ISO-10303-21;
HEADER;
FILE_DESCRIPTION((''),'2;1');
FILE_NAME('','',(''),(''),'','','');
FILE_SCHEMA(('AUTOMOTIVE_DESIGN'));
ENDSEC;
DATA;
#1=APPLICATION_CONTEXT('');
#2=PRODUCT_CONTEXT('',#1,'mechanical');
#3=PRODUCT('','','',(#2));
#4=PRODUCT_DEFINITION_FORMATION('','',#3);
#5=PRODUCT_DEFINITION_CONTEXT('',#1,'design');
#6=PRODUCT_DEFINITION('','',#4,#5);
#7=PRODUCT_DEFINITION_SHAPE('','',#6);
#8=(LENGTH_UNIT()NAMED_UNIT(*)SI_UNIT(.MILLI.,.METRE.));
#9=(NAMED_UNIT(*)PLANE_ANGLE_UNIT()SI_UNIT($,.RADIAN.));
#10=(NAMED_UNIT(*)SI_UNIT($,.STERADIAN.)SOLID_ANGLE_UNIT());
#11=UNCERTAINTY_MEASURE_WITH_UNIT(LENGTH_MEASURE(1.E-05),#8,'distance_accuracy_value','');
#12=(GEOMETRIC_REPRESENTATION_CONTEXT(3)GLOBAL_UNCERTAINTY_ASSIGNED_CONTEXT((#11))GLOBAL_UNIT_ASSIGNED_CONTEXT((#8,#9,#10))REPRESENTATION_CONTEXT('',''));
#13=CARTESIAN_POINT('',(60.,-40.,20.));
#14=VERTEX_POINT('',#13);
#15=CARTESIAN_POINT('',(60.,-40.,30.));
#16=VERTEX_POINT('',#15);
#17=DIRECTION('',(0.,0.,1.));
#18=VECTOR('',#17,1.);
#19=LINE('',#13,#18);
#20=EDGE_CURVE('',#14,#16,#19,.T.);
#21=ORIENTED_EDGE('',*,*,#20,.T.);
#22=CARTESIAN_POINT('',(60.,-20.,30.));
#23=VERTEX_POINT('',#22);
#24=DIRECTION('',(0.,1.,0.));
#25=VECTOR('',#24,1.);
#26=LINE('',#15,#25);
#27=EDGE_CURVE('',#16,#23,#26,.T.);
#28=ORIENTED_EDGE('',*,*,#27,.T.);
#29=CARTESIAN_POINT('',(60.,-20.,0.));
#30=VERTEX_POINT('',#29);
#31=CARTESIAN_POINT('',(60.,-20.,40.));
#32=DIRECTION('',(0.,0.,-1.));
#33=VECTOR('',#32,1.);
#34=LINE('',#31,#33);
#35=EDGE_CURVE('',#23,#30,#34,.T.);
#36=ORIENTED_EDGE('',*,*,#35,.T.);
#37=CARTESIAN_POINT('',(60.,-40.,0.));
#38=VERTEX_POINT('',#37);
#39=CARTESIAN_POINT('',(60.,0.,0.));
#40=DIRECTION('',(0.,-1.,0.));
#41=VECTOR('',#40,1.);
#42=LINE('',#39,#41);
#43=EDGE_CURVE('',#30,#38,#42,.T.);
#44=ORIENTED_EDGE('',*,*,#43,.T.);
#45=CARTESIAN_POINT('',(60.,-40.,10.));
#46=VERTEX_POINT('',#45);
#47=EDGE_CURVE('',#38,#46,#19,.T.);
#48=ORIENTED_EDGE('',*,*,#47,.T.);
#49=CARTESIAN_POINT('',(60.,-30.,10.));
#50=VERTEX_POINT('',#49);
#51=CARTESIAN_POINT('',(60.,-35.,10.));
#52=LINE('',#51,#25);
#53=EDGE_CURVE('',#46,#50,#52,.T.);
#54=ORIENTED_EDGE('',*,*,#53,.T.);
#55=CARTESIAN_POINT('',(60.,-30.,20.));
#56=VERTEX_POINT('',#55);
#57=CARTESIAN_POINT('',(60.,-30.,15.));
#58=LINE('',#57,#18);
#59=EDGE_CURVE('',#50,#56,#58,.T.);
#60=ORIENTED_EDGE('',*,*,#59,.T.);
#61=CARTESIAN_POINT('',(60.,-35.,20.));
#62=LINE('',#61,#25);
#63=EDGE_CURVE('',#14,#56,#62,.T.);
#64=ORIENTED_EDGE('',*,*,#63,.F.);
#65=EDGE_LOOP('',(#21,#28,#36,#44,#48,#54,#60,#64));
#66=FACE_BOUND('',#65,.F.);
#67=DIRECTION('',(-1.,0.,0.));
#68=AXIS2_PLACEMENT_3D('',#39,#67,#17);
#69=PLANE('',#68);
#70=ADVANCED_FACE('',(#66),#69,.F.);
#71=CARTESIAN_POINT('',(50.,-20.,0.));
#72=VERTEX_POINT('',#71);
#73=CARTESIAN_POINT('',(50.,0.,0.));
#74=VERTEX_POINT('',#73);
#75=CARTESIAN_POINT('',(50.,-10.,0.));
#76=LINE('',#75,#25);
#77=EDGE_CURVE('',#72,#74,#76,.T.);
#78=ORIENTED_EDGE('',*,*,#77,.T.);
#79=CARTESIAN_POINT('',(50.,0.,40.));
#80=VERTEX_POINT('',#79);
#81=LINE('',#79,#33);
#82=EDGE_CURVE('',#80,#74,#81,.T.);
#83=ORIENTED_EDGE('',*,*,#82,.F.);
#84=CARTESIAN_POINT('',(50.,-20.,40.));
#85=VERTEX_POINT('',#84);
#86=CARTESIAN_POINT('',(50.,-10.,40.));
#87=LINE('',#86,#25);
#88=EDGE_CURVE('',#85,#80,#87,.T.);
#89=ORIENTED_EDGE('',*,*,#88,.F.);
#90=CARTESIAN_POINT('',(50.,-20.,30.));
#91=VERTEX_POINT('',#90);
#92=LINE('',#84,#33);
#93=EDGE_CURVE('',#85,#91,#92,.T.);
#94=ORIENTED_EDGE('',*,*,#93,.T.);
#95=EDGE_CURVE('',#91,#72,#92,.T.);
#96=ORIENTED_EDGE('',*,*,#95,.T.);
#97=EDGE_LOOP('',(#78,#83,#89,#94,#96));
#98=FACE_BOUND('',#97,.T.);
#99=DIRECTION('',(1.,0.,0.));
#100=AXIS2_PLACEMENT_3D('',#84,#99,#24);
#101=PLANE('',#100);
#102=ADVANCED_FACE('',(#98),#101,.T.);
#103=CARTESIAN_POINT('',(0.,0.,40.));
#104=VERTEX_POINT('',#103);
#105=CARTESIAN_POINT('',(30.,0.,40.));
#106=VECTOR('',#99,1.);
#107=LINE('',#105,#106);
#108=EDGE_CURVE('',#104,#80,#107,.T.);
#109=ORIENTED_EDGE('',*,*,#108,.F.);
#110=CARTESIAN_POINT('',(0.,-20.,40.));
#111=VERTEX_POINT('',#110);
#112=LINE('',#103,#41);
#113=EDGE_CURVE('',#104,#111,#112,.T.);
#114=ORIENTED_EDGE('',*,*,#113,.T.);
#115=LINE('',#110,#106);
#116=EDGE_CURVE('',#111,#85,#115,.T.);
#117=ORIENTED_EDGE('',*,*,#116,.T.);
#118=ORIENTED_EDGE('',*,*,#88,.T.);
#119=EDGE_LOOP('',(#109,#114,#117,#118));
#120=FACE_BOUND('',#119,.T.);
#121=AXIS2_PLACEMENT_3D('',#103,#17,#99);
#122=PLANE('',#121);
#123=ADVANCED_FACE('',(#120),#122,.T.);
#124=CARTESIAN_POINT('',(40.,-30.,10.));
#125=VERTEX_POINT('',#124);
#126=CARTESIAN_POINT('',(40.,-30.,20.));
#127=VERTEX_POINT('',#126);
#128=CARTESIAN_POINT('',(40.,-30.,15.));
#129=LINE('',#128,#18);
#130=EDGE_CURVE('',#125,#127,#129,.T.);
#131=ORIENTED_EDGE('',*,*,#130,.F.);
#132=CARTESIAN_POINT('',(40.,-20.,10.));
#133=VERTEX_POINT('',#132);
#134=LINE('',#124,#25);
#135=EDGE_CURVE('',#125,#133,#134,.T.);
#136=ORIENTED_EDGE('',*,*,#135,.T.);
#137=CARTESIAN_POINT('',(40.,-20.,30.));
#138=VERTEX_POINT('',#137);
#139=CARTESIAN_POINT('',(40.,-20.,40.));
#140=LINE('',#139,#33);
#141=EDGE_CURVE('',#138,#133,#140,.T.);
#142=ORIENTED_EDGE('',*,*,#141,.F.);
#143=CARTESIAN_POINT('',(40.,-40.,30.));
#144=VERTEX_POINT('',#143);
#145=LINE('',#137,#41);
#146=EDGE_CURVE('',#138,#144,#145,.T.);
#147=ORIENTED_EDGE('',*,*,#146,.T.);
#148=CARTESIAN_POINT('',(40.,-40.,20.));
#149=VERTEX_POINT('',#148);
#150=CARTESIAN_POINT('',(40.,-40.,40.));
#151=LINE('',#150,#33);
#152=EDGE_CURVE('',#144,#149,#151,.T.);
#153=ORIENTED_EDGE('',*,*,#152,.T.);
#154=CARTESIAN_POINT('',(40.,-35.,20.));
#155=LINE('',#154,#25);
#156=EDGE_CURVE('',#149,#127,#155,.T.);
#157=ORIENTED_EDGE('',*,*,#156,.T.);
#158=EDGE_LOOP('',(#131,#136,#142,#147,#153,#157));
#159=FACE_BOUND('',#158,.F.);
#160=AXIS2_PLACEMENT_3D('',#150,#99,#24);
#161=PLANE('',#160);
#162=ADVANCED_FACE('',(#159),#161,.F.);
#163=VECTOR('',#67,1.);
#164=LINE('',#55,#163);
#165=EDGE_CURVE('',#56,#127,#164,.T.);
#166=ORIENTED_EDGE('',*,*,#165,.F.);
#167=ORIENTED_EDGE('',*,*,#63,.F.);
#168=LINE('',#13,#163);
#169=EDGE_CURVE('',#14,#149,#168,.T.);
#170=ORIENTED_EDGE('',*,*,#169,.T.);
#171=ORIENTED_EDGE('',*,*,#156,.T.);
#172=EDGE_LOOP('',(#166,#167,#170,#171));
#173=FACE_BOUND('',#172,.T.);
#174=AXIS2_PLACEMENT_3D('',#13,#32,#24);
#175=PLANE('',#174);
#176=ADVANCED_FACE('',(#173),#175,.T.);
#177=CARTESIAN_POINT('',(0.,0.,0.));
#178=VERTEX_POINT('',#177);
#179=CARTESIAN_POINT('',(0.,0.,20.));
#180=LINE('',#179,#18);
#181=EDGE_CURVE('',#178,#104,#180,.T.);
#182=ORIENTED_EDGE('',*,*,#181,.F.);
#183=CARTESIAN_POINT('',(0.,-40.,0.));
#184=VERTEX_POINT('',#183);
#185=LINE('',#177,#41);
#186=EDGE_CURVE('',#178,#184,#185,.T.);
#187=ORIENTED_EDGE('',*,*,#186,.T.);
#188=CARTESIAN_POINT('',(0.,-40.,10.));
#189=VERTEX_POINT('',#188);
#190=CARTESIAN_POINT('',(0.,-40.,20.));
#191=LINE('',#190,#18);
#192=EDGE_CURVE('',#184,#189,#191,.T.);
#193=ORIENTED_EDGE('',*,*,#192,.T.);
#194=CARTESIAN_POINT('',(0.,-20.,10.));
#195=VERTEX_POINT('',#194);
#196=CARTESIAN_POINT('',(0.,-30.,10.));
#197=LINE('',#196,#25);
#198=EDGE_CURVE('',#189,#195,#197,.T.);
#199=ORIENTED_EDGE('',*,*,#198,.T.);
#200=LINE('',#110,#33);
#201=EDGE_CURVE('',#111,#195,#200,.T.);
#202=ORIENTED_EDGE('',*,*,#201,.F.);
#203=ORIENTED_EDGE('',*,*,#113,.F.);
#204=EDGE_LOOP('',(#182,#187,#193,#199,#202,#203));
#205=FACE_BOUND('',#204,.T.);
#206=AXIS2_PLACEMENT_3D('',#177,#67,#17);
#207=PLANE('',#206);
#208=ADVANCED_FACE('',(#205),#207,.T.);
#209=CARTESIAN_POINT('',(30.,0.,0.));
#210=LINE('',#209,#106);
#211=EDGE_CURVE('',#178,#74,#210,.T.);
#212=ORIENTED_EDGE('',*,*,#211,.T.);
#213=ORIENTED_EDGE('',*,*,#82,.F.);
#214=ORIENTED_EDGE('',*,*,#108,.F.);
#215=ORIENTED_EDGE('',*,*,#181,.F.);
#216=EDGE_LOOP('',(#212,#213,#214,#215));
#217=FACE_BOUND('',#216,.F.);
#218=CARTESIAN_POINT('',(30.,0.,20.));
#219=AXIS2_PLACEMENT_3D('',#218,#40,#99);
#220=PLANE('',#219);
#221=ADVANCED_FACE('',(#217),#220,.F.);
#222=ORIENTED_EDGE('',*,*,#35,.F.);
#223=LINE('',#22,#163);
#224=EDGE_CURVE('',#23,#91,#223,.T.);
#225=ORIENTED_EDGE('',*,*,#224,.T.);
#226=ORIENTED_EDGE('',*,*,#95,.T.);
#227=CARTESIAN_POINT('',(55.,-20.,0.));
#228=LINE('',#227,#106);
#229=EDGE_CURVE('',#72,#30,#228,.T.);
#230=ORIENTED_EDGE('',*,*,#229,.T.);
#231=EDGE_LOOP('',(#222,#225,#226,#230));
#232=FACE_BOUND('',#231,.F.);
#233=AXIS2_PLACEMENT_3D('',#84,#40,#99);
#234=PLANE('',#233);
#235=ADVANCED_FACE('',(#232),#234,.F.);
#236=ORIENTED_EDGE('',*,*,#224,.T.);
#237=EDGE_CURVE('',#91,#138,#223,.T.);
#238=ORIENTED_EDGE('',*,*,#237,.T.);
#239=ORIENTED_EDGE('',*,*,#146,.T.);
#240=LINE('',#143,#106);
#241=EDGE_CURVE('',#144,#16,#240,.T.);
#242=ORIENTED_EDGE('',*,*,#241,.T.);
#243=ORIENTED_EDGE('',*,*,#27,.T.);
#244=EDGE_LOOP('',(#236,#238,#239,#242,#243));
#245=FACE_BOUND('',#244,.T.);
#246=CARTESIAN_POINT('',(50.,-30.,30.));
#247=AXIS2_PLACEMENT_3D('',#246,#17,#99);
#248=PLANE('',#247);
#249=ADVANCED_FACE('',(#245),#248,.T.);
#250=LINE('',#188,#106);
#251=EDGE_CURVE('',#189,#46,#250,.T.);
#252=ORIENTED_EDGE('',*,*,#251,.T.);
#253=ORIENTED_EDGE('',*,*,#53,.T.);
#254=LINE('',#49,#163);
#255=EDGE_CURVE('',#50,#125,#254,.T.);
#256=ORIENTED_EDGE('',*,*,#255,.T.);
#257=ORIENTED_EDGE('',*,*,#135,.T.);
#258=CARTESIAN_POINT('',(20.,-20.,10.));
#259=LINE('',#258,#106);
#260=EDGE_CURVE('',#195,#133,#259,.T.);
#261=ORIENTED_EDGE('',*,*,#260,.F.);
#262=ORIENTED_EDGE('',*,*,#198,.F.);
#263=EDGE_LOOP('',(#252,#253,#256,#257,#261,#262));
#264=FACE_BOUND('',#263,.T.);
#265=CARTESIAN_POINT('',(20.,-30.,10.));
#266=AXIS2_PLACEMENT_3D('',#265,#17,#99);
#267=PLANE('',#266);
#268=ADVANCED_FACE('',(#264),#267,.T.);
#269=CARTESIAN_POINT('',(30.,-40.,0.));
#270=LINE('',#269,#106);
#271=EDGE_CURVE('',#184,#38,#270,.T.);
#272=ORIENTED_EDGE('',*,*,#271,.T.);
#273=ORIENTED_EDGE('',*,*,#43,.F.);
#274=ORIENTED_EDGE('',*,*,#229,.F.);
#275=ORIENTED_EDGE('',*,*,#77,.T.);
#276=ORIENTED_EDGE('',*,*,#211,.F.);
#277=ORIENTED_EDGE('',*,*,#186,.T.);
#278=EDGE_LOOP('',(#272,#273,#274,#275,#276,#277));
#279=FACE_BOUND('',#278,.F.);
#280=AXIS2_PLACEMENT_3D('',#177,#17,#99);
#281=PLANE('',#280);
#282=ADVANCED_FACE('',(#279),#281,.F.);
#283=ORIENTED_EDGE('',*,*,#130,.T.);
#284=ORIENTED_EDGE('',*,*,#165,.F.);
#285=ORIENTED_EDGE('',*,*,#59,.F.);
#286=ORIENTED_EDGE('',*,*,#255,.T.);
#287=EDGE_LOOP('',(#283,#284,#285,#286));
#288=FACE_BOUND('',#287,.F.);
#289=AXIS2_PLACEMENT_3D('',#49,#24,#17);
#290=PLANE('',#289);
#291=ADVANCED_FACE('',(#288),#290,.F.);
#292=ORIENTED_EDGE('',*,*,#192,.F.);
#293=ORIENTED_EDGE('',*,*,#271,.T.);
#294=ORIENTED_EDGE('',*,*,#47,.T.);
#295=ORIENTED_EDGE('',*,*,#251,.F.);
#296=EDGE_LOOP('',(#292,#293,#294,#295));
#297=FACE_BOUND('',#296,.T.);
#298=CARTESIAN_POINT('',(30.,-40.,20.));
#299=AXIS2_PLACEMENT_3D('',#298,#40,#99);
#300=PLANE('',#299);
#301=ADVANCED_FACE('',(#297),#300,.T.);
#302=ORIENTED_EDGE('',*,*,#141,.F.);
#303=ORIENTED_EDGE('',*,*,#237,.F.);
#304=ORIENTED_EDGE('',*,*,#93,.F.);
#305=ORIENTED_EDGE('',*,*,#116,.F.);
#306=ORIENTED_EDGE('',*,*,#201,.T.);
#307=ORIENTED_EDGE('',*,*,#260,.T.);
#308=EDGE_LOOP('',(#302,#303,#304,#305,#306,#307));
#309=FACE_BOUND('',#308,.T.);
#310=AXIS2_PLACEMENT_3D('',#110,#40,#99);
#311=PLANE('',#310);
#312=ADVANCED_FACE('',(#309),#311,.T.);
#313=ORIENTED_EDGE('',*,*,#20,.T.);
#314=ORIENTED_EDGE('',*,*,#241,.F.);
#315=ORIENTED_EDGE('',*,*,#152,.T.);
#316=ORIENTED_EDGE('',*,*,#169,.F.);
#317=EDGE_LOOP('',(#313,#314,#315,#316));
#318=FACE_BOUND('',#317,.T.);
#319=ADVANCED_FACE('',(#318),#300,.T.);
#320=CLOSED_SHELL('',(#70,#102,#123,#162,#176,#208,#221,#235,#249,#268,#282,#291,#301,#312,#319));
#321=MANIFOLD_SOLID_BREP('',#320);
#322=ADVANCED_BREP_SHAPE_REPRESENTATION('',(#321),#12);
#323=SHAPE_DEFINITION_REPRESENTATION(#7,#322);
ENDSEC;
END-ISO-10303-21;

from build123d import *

# Parameters (mm, degrees)
F0_W     = 60
F0_H     = 40
F1_DEPTH = 40
F2_W     = 10
F2_H     = 20
F3_DEPTH = 40
F4_W     = 40
F4_H     = 20
F5_DEPTH = 30
F7_DEPTH = 10
F8_W     = 10
F8_H     = 10
F9_DEPTH = 20


with BuildPart() as f1:
    # F0 (on Front) → F1 (new body)
    with BuildSketch(Plane.XZ):
        with Locations((30, 20)):
            Rectangle(F0_W, F0_H)
    extrude(amount=F1_DEPTH)

    # F2 (on face) → F3 (cut)
    with BuildSketch(Plane.XY.offset(40)):
        with Locations((55, -10)):
            Rectangle(F2_W, F2_H)
    extrude(amount=-F3_DEPTH, mode=Mode.SUBTRACT)

    # F4 (on face) → F5 (cut)
    with BuildSketch(Plane.XY.offset(40)):
        with Locations((20, -30)):
            Rectangle(F4_W, F4_H)
    extrude(amount=-F5_DEPTH, mode=Mode.SUBTRACT)

    # F6 (on face) → F7 (cut)
    with BuildSketch(Plane.XY.offset(40)):
        Polygon((40, -20), (40, -40), (60, -40), (60, -20), (50, -20), align=None)
    extrude(amount=-F7_DEPTH, mode=Mode.SUBTRACT)

    # F8 (on face) → F9 (cut)
    with BuildSketch(Plane.YZ.offset(60)):
        with Locations((-35, 15)):
            Rectangle(F8_W, F8_H)
    extrude(amount=-F9_DEPTH, mode=Mode.SUBTRACT)


solid = f1.part
